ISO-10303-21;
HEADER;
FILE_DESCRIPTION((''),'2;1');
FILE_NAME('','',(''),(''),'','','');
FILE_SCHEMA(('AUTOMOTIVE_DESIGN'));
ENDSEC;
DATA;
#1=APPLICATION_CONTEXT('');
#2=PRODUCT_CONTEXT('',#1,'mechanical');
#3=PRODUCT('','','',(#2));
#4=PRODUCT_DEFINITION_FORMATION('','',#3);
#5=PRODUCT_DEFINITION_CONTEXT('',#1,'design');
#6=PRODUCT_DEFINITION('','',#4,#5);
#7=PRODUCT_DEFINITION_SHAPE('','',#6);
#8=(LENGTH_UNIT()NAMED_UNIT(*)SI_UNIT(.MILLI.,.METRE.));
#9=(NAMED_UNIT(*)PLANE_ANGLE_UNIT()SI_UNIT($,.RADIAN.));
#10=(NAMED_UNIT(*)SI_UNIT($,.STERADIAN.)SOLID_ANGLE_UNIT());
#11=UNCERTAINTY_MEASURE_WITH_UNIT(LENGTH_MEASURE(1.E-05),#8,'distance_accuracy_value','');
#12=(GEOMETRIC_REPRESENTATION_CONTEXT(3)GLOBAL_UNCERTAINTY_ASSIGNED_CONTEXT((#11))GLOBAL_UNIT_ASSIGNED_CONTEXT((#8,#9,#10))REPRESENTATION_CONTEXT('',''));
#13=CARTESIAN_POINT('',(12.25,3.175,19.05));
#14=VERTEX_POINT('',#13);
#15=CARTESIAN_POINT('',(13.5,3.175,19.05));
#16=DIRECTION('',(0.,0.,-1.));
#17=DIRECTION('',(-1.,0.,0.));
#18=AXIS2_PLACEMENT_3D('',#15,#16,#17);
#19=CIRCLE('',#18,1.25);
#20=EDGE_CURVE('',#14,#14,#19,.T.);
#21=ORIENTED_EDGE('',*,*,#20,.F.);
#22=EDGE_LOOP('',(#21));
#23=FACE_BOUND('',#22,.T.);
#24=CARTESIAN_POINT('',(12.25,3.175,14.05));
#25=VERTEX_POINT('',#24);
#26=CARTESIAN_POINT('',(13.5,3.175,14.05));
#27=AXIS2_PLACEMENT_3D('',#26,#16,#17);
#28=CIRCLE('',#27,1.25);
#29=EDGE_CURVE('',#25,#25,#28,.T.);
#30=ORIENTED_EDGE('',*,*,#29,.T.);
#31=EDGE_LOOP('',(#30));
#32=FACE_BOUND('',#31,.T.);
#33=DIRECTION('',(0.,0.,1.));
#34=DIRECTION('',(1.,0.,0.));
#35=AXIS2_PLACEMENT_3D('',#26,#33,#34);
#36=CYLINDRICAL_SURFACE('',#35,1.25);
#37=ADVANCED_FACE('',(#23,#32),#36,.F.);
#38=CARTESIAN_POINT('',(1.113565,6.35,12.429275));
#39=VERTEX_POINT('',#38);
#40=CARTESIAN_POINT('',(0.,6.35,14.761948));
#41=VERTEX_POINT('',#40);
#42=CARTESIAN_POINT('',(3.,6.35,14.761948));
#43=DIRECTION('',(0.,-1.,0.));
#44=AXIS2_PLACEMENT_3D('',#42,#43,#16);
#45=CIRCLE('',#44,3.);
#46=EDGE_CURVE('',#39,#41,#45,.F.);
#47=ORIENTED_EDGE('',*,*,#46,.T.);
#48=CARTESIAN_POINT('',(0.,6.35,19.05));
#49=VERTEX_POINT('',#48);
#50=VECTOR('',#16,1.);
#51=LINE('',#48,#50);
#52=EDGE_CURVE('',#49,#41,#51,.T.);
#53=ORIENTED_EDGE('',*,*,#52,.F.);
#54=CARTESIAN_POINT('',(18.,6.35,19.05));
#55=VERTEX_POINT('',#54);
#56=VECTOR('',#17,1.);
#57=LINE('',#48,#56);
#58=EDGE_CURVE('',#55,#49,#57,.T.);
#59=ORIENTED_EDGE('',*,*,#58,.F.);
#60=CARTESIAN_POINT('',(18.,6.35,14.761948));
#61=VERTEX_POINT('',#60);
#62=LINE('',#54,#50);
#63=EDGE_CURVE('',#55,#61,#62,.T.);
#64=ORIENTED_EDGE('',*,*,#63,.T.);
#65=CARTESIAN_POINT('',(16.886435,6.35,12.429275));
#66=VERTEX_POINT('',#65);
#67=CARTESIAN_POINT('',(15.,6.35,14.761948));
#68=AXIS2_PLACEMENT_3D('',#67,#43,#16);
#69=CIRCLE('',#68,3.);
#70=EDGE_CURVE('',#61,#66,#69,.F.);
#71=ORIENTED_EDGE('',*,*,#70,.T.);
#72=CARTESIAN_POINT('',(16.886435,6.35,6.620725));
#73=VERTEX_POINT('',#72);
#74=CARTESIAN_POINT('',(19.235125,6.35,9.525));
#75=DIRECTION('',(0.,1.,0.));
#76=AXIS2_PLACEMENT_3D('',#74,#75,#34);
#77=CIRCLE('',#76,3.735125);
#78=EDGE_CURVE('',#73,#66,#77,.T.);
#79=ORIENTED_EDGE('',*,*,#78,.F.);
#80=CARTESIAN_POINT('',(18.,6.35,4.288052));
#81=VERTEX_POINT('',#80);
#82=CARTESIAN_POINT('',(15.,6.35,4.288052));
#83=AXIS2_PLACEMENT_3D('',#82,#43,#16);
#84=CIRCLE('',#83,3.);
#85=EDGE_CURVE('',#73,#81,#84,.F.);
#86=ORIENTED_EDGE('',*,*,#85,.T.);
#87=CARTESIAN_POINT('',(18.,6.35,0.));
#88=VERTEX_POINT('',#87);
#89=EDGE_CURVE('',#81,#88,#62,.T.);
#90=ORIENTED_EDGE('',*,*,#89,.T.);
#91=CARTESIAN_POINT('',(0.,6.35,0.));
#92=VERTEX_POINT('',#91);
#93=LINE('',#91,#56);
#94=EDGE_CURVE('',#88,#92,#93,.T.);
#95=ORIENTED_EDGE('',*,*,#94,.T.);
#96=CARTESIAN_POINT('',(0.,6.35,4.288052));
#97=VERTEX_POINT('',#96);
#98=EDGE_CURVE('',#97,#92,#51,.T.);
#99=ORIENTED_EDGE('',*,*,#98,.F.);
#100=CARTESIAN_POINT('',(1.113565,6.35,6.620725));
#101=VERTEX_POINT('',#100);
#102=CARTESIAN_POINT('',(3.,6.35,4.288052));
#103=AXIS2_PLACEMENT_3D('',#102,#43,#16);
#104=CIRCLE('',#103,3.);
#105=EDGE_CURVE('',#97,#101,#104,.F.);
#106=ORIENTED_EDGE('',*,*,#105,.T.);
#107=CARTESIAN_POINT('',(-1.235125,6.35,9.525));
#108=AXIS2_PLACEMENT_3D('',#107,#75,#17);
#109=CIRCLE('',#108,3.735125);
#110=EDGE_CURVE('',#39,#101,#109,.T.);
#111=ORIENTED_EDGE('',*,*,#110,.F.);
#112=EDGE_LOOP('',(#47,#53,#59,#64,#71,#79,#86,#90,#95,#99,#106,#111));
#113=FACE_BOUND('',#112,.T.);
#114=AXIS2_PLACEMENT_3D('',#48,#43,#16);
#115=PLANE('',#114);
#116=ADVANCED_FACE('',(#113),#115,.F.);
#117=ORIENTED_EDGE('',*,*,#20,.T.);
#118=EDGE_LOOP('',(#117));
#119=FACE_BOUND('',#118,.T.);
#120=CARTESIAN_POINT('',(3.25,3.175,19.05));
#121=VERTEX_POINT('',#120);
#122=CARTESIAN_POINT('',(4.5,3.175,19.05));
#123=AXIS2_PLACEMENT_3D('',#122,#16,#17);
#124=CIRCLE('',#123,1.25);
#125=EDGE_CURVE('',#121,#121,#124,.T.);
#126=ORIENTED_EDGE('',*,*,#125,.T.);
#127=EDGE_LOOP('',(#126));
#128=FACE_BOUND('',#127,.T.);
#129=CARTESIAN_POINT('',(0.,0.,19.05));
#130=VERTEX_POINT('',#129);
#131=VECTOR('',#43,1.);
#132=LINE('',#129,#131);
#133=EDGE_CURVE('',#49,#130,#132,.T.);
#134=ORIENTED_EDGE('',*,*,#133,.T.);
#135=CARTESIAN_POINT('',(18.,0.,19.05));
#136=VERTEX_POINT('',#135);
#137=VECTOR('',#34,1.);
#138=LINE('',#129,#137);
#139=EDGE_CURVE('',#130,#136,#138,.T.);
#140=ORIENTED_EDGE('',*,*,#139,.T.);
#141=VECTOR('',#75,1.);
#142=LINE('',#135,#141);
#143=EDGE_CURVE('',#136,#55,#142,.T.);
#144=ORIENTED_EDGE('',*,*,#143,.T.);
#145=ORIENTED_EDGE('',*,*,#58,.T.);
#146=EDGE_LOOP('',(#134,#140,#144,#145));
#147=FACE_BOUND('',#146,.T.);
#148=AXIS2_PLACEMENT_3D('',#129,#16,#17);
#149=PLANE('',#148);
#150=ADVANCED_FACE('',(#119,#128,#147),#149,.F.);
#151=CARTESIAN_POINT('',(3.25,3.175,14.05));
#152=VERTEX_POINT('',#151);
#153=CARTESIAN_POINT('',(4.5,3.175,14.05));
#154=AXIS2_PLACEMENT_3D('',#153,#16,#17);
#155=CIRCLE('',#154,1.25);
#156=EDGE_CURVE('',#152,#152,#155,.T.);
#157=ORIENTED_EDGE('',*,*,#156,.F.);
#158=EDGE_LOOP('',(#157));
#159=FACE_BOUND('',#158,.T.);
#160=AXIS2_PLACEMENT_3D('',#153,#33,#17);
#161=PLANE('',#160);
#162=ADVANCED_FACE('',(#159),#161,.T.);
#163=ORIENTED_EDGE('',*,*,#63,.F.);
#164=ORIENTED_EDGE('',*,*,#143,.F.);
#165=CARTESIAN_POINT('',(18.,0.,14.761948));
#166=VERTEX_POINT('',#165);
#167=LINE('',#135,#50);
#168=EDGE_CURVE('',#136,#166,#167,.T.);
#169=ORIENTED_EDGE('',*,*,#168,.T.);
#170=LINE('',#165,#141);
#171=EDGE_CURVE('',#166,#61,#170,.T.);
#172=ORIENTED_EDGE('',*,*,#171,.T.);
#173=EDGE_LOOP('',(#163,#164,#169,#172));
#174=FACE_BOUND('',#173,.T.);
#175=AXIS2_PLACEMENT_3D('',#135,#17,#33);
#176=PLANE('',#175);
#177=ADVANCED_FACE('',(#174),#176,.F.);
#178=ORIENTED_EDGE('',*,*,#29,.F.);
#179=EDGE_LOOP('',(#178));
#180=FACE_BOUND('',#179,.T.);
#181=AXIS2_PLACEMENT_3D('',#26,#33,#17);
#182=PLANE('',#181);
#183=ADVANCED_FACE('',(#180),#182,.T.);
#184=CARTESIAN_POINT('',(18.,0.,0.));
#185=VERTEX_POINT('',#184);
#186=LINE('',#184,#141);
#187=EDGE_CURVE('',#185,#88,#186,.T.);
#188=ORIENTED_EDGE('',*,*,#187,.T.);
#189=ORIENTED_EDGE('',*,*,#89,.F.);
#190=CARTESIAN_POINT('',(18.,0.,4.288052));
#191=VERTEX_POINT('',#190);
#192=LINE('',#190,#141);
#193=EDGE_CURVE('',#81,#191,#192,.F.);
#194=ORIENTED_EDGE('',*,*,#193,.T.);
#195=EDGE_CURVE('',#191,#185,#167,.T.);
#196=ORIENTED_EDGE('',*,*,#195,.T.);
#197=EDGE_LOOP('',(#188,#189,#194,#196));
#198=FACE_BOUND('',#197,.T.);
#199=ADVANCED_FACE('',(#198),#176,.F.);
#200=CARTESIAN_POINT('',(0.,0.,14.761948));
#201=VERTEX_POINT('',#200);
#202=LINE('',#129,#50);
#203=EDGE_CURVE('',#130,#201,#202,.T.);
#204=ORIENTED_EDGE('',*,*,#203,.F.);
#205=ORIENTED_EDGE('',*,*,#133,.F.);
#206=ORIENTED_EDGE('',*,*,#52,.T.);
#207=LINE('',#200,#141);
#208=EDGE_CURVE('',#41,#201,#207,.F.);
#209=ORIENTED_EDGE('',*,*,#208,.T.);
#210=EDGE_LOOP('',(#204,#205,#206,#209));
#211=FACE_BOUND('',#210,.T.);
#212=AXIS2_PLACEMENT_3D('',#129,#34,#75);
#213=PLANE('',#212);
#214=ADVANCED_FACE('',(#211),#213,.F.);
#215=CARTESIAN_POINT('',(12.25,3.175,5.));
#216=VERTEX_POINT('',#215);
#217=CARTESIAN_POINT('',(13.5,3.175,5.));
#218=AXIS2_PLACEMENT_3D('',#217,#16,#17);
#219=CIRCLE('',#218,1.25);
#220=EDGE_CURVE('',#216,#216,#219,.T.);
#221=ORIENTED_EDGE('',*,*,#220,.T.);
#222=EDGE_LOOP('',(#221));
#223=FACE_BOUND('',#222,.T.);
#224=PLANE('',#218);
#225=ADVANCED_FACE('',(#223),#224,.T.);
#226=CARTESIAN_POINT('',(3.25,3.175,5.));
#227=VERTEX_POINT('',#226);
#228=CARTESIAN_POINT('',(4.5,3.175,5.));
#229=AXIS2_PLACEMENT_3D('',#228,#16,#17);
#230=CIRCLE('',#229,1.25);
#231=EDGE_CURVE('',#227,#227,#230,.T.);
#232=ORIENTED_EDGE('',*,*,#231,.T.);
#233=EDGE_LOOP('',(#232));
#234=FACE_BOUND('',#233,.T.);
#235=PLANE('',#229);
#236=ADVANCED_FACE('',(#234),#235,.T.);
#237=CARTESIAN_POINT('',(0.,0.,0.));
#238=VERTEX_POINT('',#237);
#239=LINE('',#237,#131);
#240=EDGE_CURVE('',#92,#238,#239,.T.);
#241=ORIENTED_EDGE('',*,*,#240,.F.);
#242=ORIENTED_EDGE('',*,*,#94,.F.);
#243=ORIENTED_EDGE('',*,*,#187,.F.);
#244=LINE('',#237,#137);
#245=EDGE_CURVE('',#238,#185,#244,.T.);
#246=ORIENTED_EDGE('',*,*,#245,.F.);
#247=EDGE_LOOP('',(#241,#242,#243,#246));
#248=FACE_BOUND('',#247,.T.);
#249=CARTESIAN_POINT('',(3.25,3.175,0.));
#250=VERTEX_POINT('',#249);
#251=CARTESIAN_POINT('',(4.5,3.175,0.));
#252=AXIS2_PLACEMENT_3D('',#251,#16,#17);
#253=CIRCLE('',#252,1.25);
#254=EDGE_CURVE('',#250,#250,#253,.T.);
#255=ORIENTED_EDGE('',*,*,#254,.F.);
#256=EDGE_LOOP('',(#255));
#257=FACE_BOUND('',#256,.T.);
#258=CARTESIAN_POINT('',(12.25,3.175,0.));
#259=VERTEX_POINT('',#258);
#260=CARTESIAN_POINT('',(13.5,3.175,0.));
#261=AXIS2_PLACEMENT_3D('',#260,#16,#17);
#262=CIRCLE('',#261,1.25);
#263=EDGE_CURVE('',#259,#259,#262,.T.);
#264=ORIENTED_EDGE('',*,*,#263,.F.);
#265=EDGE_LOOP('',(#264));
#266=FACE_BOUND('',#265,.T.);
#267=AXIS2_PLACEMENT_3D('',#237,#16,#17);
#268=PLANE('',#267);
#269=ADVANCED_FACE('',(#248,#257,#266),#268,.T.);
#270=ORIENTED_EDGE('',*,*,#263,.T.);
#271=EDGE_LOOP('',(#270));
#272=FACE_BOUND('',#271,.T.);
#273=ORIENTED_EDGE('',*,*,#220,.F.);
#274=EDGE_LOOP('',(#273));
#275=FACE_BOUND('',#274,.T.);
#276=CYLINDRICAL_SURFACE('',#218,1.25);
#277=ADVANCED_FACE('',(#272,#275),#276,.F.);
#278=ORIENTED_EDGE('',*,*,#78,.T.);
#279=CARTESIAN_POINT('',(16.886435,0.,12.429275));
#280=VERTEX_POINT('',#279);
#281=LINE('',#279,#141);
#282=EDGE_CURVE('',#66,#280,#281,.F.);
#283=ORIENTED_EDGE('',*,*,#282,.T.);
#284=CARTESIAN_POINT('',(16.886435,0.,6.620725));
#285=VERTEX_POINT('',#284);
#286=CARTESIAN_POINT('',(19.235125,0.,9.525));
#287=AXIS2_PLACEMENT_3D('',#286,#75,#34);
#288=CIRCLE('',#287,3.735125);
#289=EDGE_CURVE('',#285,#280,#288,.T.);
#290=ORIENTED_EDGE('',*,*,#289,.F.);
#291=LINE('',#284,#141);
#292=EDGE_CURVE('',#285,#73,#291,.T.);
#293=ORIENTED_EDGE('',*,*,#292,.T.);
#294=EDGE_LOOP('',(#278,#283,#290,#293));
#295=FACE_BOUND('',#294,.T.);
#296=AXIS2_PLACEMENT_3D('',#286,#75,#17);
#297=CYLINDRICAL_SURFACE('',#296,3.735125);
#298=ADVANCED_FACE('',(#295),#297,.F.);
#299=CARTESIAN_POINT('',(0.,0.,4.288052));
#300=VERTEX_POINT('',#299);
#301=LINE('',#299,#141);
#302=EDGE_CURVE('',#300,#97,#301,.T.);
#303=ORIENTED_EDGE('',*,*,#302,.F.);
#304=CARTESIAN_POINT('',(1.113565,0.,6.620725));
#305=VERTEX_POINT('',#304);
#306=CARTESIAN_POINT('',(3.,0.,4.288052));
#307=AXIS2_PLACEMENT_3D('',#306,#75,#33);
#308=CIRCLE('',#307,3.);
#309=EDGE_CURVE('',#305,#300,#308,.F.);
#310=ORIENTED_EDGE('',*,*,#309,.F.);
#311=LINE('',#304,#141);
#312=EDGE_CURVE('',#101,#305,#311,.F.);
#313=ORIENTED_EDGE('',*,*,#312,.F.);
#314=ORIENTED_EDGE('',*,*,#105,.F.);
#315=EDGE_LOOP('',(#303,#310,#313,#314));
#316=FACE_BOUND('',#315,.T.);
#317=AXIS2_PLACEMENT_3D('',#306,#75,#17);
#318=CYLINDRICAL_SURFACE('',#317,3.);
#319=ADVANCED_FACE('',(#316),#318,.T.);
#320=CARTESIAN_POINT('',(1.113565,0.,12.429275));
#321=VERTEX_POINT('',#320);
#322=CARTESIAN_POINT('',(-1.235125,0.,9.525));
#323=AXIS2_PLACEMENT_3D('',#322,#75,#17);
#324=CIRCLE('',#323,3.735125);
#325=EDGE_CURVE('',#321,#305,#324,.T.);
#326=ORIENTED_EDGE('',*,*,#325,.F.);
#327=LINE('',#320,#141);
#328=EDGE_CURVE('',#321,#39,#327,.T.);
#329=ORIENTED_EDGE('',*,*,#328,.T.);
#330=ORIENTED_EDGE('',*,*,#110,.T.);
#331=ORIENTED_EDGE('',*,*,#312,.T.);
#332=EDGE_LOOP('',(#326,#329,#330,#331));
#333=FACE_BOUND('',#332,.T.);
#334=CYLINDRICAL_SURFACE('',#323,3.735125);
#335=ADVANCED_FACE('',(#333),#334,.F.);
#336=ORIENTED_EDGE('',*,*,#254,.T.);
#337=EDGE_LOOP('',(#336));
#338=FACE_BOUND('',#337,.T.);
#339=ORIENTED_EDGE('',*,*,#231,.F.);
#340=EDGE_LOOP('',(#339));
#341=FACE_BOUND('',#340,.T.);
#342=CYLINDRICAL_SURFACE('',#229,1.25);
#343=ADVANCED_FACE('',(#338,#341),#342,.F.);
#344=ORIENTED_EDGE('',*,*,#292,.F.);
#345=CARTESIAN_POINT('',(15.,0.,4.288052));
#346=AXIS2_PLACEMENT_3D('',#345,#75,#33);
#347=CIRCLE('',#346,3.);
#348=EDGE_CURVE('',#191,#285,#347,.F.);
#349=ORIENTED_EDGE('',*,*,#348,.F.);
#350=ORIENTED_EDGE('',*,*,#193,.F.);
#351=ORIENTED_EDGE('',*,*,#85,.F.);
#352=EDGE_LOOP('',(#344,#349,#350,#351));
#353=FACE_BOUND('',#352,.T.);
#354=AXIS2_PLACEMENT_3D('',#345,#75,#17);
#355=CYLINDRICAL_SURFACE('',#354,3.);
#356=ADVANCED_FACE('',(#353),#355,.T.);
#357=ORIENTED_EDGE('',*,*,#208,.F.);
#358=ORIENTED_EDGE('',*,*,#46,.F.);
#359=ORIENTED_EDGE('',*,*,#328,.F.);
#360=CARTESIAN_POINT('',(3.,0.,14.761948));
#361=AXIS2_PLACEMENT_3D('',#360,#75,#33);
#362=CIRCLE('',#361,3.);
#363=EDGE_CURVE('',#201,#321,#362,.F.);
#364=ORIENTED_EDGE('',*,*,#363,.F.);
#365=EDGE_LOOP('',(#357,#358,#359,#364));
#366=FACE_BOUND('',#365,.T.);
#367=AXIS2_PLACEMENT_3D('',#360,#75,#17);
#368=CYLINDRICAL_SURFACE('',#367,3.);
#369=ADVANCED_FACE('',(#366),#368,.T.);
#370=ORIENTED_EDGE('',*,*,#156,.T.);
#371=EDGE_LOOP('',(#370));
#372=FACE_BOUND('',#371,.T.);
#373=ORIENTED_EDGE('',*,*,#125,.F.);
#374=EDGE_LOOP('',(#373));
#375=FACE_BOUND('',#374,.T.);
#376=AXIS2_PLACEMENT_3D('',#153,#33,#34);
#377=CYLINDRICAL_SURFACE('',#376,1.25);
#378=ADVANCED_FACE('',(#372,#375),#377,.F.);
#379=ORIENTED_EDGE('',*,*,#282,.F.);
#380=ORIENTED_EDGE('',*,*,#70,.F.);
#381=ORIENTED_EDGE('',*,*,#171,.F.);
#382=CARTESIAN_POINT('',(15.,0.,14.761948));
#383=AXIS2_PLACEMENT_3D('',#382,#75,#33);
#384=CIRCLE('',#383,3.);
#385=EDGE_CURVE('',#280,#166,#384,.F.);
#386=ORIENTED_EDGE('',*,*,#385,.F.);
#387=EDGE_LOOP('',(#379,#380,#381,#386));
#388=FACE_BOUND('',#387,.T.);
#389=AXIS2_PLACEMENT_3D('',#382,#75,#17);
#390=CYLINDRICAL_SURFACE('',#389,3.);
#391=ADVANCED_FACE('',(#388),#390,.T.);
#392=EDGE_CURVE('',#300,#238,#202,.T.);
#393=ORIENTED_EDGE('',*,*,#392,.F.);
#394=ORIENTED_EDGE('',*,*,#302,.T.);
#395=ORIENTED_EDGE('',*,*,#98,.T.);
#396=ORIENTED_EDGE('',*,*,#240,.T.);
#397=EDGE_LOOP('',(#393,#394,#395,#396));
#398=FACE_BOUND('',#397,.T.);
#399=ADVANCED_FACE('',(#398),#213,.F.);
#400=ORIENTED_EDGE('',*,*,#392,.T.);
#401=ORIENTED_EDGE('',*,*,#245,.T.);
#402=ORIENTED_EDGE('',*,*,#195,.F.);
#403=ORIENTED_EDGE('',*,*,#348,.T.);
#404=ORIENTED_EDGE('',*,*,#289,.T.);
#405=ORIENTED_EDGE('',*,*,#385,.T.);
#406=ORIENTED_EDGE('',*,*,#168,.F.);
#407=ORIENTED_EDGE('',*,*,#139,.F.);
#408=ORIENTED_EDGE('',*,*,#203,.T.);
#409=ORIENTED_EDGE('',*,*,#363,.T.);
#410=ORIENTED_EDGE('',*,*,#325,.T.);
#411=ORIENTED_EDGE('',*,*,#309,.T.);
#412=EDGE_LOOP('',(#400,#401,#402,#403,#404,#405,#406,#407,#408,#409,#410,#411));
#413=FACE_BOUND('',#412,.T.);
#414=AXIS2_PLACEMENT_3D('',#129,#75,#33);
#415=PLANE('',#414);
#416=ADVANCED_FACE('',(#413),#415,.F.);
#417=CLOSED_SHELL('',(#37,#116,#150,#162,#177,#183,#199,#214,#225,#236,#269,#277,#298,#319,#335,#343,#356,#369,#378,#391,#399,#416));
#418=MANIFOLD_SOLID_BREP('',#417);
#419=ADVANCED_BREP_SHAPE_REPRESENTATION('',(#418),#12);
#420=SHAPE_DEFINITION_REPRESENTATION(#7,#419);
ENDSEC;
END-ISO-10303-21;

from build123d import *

# Parameters (mm, degrees)
SKETCH1_W           = 18
SKETCH1_H           = 6.35
BOSS_EXTRUDE1_DEPTH = 19.05
CUT_EXTRUDE1_DEPTH  = 7.35
SKETCH3_R           = 1.25
CUT_EXTRUDE2_DEPTH  = 5
FILLET2_R           = 3


with BuildPart() as part:
    # Sketch1 → Boss-Extrude1 (new body)
    with BuildSketch(Plane.XY):
        with Locations((9, 3.175)):
            Rectangle(SKETCH1_W, SKETCH1_H)
    extrude(amount=BOSS_EXTRUDE1_DEPTH)

    # Sketch2 → Cut-Extrude1 (cut, through all)
    with BuildSketch(Plane(origin=(0, 6.35, 0), x_dir=(1, 0, 0), z_dir=(0, 1, 0))):
        with BuildLine():
            Line((18, -6), (18, -13.05))
            ThreePointArc((18, -13.05), (15.5, -9.525), (18, -6))
        make_face()
        with BuildLine():
            Line((0, -6), (0, -13.05))
            ThreePointArc((0, -13.05), (2.5, -9.525), (0, -6))
        make_face()
    extrude(amount=-CUT_EXTRUDE1_DEPTH, mode=Mode.SUBTRACT)

    # Sketch3 → Cut-Extrude2 (cut)
    with BuildSketch(Plane(origin=(0, 0, 0), x_dir=(-1, 0, 0), z_dir=(0, 0, -1))):
        with Locations((-13.5, 3.175)):
            Circle(SKETCH3_R)
        with Locations((-4.5, 3.175)):
            Circle(SKETCH3_R)
    cut_extrude2 = extrude(amount=-CUT_EXTRUDE2_DEPTH, mode=Mode.SUBTRACT)

    # Mirror1: Cut-Extrude2 across plane
    add(cut_extrude2.mirror(Plane(origin=(0, 0, 9.525), x_dir=(1, 0, 0), z_dir=(0, 0, -1))), mode=Mode.SUBTRACT)

    # Fillet2
    fillet2_edges = [part.edges().sort_by_distance(p)[0] for p in [
        (18, 3.175, 13.05),
        (18, 3.175, 6),
        (0, 3.175, 6),
        (0, 3.175, 13.05),
    ]]
    fillet(fillet2_edges, radius=FILLET2_R)


solid = part.part
